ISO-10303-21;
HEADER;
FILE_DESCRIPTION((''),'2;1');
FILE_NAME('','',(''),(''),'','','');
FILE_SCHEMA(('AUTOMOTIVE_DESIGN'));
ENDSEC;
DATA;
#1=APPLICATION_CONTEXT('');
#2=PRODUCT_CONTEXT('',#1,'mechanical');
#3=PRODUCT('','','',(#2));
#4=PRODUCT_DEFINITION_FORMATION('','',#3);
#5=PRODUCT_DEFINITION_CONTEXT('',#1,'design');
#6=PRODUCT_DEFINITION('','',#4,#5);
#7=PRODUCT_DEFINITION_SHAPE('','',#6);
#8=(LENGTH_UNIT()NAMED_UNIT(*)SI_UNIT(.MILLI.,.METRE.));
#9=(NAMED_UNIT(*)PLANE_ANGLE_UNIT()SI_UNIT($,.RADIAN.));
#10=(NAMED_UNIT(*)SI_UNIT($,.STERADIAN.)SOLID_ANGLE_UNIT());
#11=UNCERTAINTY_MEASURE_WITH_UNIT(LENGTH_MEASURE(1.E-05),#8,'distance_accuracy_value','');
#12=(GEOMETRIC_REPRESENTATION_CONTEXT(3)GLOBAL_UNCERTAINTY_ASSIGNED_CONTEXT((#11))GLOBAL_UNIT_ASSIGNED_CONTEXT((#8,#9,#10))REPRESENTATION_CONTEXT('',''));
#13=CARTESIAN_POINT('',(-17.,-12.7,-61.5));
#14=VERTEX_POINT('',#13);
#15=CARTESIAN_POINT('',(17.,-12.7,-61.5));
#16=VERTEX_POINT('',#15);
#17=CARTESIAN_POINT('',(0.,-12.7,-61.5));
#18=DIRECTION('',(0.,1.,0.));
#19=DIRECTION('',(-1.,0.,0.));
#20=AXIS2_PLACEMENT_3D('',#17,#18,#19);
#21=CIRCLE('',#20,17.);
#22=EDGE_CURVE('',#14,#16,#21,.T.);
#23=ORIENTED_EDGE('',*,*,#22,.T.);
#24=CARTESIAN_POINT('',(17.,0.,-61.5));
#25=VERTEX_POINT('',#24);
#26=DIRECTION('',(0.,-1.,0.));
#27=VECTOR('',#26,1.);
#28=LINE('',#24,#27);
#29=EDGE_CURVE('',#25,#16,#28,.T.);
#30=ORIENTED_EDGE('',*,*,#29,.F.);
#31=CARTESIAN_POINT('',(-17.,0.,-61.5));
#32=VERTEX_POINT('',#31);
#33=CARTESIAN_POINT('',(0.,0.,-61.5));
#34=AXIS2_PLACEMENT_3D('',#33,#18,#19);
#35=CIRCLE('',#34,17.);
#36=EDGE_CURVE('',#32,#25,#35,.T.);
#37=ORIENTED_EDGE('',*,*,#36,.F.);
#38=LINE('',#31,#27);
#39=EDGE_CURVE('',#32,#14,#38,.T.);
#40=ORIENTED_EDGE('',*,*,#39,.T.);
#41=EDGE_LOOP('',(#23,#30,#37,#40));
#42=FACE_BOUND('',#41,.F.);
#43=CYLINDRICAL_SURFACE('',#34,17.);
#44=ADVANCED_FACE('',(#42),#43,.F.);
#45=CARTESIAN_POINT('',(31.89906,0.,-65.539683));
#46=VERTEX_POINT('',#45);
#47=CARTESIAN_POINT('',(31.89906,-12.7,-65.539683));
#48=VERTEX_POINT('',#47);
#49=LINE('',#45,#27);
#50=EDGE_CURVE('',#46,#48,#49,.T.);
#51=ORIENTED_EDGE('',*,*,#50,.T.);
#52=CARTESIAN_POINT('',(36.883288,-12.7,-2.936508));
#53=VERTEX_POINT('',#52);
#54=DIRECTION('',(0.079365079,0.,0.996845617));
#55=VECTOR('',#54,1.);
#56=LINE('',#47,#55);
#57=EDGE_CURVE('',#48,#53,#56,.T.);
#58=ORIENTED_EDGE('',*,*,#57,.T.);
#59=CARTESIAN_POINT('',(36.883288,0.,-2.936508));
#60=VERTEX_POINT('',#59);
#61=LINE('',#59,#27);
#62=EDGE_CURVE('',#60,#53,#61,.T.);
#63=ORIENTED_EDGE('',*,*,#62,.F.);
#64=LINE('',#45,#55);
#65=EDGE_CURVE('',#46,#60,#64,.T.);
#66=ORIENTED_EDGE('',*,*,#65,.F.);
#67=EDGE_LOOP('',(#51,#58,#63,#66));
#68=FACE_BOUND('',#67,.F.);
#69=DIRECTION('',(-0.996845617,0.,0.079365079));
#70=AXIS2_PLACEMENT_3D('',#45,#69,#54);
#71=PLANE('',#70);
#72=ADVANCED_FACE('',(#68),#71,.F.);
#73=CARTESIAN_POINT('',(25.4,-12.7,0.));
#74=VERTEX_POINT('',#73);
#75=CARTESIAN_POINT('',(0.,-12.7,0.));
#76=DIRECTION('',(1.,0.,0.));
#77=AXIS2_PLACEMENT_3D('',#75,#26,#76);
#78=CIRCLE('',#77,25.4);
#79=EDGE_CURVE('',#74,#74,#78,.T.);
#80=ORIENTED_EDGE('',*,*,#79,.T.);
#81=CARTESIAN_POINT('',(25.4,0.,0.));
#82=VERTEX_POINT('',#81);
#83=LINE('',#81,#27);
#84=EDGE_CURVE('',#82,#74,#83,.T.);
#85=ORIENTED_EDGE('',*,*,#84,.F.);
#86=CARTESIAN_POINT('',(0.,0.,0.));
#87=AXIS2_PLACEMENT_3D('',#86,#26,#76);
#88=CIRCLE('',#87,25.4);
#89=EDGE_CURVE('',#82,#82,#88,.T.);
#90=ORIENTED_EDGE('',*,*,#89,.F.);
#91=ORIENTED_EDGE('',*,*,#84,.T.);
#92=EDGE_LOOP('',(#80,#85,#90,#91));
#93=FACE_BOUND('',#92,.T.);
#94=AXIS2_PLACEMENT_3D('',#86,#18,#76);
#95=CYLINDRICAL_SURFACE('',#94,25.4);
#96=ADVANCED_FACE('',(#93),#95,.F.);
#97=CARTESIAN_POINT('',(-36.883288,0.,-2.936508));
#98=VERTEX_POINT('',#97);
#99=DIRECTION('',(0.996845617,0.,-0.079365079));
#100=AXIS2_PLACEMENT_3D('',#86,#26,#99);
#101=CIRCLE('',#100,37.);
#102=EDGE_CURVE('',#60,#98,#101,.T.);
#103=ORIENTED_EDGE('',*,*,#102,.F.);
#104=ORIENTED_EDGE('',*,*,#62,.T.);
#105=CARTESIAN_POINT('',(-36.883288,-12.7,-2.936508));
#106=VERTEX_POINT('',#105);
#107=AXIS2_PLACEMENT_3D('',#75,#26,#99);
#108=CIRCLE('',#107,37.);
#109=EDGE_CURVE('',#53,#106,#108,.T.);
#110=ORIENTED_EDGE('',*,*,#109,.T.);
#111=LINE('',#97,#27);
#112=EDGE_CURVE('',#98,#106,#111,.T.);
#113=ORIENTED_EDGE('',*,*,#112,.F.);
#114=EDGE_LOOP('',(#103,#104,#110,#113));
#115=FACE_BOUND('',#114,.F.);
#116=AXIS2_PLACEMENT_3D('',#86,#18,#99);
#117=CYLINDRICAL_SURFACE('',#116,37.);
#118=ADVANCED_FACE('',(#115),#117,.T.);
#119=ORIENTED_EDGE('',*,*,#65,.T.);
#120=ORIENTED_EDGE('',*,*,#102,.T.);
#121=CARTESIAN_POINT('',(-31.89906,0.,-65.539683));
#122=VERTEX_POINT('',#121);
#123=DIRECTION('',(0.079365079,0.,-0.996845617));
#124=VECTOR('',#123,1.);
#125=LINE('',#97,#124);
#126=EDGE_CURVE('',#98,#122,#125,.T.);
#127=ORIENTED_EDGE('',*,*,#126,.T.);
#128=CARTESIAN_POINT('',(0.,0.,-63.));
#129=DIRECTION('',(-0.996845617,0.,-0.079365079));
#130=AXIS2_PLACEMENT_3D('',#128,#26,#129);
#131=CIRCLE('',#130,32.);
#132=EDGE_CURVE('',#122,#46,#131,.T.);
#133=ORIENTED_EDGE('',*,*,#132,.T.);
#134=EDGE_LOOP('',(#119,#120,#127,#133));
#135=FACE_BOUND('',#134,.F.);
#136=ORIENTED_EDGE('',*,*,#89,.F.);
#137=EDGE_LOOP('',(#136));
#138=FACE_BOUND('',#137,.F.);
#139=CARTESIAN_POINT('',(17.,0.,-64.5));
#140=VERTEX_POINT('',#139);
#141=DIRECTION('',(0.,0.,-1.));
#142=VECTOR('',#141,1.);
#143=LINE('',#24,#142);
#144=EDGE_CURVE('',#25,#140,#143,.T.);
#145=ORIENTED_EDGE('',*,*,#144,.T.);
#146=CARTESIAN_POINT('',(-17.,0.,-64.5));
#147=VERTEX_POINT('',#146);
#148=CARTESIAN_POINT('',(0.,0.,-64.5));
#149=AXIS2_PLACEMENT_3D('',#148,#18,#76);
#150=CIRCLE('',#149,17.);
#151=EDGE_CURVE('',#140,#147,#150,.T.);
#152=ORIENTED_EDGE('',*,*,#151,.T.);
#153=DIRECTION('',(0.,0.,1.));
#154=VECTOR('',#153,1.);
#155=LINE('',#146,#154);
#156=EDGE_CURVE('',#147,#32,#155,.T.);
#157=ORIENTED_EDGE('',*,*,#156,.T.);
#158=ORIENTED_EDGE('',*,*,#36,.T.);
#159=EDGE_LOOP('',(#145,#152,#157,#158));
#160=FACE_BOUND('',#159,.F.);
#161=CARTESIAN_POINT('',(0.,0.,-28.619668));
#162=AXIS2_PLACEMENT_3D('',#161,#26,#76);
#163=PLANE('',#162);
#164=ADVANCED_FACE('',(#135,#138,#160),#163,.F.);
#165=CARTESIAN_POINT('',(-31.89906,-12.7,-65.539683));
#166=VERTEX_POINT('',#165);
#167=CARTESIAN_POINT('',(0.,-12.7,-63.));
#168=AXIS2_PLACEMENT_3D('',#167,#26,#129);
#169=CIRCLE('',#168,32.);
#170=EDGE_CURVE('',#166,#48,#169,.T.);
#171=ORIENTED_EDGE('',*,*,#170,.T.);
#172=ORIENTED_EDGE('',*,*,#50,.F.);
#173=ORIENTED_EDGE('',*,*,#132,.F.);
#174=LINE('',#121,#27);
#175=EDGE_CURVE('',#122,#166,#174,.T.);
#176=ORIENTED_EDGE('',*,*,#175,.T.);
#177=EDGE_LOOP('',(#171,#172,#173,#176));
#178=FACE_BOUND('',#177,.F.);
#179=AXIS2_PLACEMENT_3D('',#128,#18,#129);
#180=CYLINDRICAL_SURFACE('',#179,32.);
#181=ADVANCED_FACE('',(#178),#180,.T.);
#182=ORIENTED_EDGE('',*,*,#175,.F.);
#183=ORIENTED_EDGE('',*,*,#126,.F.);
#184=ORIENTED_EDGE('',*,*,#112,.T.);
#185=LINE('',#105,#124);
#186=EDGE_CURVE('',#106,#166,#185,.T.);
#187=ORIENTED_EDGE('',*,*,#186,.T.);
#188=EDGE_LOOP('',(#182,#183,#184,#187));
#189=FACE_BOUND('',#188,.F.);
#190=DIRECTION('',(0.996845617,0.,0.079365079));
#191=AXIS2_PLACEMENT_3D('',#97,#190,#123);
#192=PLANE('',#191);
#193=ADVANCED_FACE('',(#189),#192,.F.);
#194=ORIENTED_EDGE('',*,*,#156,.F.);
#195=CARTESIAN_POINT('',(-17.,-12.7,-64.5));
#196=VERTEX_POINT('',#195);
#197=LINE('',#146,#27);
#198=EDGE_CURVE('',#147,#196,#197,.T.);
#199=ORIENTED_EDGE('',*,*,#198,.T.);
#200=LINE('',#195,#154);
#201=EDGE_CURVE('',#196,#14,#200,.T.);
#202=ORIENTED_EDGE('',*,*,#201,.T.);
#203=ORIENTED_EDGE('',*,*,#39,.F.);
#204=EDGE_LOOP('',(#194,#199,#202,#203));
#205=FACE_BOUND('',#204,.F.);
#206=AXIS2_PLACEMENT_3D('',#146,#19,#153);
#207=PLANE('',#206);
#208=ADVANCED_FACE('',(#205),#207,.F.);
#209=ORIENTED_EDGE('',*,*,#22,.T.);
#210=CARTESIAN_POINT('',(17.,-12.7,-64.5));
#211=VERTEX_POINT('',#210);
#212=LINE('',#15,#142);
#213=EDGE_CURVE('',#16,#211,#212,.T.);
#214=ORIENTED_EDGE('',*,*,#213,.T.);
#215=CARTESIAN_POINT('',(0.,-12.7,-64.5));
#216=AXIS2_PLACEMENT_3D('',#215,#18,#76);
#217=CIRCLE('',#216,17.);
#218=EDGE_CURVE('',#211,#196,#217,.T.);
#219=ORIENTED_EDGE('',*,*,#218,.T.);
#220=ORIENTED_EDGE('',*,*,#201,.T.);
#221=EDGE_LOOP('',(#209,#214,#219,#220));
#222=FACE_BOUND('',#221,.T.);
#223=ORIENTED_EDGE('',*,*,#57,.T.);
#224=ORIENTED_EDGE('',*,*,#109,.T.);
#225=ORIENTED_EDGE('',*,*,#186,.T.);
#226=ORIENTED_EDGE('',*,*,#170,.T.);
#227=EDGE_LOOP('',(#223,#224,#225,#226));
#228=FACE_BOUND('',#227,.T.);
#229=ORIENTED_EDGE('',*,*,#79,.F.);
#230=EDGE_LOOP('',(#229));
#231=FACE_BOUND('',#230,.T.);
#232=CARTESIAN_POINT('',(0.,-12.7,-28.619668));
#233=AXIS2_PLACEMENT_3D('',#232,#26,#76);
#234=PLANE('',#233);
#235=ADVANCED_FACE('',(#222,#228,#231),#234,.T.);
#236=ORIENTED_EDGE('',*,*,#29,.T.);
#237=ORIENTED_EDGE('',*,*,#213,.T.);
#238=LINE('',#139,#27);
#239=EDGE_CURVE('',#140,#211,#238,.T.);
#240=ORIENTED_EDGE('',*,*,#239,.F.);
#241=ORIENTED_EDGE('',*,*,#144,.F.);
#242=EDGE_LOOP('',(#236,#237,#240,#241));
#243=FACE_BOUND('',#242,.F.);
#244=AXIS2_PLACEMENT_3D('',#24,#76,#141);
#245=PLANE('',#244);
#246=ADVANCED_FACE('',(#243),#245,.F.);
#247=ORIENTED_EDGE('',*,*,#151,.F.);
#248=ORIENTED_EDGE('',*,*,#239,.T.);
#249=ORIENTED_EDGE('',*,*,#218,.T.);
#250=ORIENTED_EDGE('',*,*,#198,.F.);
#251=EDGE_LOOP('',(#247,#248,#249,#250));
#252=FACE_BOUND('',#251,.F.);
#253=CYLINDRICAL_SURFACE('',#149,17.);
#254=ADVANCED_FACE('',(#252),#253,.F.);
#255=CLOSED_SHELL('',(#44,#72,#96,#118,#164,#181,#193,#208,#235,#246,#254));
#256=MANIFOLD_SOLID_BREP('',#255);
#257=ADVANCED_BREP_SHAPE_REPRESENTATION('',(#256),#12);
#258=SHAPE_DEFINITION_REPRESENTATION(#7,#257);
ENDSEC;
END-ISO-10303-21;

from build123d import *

# Parameters (mm, degrees)
F0_R     = 25.4
F1_DEPTH = 12.7


with BuildPart() as f1:
    # F0 (on Front) → F1 (new body)
    with BuildSketch(Plane.XZ):
        with BuildLine():
            Line((31.8990597447, -65.5396825397), (36.8832878298, -2.9365079365))
            ThreePointArc((36.8832878298, -2.9365079365), (0, 37), (-36.8832878298, -2.9365079365))
            Line((-36.8832878298, -2.9365079365), (-31.8990597447, -65.5396825397))
            ThreePointArc((-31.8990597447, -65.5396825397), (0, -95), (31.8990597447, -65.5396825397))
        make_face()
        with BuildLine():
            Line((-17, -64.5), (-17, -61.5))
            ThreePointArc((-17, -61.5), (0, -44.5), (17, -61.5))
            Line((17, -61.5), (17, -64.5))
            ThreePointArc((17, -64.5), (0, -81.5), (-17, -64.5))
        make_face(mode=Mode.SUBTRACT)
        Circle(F0_R, mode=Mode.SUBTRACT)
    extrude(amount=F1_DEPTH)


solid = f1.part
